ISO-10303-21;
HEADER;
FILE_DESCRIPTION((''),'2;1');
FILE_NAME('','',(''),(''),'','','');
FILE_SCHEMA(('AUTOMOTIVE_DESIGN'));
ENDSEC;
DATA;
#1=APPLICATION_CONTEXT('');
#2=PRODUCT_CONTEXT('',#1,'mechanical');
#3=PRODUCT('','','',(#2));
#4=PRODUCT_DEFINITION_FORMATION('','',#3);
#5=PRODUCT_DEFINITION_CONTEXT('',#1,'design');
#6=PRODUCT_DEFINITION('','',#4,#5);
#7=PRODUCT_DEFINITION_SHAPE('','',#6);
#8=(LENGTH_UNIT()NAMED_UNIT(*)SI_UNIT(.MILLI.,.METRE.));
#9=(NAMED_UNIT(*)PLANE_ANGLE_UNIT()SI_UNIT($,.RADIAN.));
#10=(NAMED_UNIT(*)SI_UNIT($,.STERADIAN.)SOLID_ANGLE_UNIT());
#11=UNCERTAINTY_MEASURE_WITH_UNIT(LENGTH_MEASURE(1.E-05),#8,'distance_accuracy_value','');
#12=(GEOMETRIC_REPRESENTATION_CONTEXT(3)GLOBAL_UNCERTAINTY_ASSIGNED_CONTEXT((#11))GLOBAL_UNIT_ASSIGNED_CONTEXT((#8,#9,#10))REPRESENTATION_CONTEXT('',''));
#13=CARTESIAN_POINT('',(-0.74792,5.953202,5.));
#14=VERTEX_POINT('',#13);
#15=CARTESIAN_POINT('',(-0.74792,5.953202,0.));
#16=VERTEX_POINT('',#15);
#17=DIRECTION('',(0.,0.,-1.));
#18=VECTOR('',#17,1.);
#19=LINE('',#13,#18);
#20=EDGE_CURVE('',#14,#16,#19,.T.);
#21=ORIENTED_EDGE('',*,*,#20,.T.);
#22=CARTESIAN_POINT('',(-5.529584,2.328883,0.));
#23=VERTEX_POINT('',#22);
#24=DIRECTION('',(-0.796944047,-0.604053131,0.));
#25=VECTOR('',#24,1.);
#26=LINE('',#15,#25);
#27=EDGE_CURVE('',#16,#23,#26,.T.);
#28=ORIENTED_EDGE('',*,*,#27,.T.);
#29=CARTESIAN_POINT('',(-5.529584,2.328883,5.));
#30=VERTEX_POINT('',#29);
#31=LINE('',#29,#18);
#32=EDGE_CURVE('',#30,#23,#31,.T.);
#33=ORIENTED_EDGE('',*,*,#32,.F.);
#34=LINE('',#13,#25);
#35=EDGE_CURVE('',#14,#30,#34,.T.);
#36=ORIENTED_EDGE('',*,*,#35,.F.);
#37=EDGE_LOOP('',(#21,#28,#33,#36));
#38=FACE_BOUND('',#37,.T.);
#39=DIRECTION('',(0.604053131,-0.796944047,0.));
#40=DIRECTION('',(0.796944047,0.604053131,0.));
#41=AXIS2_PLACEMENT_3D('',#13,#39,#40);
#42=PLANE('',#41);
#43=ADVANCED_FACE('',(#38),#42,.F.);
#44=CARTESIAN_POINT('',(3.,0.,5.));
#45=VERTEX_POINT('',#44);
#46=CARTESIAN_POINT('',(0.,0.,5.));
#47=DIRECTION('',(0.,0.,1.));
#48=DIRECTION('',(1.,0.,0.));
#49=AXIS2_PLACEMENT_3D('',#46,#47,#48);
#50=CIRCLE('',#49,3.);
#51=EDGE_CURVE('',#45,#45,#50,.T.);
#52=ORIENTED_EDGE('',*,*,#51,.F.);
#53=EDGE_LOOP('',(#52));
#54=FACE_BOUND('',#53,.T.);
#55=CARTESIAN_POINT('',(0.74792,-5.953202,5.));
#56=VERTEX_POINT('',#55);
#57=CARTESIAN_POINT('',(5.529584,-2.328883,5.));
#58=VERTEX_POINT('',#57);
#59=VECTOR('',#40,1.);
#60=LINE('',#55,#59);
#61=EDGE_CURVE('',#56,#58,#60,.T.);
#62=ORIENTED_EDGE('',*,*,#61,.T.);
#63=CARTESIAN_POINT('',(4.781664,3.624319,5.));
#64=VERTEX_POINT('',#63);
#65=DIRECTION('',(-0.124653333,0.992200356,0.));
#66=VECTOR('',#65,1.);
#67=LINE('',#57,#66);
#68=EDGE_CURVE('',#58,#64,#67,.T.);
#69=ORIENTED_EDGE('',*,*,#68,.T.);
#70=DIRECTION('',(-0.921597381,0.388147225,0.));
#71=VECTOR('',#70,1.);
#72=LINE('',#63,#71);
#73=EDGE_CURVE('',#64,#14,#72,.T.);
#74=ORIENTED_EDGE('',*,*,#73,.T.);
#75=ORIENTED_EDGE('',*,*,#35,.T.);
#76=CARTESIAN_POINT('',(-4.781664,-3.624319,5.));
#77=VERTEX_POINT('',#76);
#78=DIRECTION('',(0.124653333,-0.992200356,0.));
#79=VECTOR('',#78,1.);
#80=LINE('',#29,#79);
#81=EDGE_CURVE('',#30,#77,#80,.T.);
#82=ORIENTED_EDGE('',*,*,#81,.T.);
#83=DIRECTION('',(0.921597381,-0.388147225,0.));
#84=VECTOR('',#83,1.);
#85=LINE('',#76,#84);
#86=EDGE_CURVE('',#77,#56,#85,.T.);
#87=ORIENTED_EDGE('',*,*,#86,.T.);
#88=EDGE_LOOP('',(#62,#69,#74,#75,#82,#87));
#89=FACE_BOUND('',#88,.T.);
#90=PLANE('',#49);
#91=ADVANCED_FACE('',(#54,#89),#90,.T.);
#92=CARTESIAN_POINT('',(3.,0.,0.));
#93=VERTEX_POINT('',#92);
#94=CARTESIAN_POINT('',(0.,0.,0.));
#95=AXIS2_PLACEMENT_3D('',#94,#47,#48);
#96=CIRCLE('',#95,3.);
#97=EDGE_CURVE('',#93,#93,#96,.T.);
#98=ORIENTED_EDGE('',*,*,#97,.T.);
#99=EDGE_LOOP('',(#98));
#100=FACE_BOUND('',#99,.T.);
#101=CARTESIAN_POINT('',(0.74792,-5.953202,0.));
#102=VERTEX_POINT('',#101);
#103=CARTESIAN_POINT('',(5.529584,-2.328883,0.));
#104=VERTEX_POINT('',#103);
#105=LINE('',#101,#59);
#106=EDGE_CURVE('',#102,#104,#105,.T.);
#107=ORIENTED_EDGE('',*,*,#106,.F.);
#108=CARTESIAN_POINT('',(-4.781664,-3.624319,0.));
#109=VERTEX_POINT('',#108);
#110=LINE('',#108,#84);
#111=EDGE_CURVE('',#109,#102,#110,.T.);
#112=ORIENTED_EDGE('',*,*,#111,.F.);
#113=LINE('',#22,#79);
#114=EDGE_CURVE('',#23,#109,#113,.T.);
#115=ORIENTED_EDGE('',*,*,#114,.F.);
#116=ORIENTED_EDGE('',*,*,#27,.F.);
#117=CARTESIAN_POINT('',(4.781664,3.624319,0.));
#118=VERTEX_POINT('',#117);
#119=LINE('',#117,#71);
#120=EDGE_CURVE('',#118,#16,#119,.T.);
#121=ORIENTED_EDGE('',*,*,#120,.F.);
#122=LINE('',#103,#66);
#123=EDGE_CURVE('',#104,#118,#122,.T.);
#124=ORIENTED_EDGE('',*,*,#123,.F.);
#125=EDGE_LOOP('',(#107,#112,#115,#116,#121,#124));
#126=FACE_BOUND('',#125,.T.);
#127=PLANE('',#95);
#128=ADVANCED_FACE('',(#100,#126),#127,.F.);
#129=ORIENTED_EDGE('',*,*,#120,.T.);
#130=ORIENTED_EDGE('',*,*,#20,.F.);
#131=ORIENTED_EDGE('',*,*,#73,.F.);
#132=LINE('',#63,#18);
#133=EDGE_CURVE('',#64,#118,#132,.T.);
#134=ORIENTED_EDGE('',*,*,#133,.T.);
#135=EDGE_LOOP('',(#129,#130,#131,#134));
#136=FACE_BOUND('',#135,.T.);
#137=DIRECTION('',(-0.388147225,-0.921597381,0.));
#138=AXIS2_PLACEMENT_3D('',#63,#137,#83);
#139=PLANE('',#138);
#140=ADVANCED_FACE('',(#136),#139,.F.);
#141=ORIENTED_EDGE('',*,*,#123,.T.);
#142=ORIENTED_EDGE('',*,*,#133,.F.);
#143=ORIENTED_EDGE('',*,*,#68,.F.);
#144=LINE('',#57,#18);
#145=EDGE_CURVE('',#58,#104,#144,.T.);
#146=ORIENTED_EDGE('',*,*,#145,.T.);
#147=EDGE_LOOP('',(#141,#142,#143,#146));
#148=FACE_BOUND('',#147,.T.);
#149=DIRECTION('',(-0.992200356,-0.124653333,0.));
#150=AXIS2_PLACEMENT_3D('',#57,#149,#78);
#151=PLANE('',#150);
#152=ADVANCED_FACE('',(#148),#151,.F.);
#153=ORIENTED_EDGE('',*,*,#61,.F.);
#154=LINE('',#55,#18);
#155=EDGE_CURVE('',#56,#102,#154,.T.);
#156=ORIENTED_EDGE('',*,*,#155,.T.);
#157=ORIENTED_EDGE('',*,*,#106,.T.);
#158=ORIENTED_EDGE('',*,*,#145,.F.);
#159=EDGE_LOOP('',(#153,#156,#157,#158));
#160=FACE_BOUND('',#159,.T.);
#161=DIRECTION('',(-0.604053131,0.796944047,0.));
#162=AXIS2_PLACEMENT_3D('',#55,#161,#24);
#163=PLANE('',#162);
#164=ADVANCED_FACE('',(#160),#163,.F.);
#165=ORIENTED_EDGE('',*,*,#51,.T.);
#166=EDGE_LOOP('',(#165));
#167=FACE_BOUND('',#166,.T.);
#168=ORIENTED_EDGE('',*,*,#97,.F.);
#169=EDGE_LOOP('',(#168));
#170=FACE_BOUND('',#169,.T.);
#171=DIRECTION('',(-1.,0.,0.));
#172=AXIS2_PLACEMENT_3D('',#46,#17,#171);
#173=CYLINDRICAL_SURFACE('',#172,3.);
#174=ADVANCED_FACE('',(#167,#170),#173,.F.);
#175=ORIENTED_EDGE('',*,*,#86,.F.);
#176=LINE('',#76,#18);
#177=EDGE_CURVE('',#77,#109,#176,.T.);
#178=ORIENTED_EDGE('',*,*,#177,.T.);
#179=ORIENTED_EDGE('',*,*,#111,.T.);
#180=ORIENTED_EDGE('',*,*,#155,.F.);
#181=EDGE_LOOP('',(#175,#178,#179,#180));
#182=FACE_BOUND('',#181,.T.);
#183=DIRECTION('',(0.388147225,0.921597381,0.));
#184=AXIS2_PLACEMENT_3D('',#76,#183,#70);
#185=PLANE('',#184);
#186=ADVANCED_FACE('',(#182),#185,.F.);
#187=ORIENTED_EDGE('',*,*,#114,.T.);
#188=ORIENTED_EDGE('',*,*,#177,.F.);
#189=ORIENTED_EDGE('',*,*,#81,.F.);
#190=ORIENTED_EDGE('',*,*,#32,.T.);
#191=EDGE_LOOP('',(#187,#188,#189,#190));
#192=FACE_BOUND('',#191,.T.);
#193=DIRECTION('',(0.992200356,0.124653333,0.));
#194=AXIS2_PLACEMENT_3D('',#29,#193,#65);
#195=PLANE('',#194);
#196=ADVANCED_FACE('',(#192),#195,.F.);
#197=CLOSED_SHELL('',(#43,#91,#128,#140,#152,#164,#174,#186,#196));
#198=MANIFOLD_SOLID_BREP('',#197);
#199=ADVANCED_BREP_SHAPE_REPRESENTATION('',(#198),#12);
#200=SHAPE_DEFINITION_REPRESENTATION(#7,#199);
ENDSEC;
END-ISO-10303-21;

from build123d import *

# Parameters (mm, degrees)
SKETCH1_R           = 3
BOSS_EXTRUDE1_DEPTH = 5


with BuildPart() as part:
    # Sketch1 → Boss-Extrude1 (new body)
    with BuildSketch(Plane.XY):
        Polygon((4.781664284, 3.624318788), (-0.74792, 5.953202136), (-5.529584284, 2.328883348), (-4.781664284, -3.624318788), (0.74792, -5.953202136), (5.529584284, -2.328883348), align=None)
        Circle(SKETCH1_R, mode=Mode.SUBTRACT)
    extrude(amount=BOSS_EXTRUDE1_DEPTH)


solid = part.part
